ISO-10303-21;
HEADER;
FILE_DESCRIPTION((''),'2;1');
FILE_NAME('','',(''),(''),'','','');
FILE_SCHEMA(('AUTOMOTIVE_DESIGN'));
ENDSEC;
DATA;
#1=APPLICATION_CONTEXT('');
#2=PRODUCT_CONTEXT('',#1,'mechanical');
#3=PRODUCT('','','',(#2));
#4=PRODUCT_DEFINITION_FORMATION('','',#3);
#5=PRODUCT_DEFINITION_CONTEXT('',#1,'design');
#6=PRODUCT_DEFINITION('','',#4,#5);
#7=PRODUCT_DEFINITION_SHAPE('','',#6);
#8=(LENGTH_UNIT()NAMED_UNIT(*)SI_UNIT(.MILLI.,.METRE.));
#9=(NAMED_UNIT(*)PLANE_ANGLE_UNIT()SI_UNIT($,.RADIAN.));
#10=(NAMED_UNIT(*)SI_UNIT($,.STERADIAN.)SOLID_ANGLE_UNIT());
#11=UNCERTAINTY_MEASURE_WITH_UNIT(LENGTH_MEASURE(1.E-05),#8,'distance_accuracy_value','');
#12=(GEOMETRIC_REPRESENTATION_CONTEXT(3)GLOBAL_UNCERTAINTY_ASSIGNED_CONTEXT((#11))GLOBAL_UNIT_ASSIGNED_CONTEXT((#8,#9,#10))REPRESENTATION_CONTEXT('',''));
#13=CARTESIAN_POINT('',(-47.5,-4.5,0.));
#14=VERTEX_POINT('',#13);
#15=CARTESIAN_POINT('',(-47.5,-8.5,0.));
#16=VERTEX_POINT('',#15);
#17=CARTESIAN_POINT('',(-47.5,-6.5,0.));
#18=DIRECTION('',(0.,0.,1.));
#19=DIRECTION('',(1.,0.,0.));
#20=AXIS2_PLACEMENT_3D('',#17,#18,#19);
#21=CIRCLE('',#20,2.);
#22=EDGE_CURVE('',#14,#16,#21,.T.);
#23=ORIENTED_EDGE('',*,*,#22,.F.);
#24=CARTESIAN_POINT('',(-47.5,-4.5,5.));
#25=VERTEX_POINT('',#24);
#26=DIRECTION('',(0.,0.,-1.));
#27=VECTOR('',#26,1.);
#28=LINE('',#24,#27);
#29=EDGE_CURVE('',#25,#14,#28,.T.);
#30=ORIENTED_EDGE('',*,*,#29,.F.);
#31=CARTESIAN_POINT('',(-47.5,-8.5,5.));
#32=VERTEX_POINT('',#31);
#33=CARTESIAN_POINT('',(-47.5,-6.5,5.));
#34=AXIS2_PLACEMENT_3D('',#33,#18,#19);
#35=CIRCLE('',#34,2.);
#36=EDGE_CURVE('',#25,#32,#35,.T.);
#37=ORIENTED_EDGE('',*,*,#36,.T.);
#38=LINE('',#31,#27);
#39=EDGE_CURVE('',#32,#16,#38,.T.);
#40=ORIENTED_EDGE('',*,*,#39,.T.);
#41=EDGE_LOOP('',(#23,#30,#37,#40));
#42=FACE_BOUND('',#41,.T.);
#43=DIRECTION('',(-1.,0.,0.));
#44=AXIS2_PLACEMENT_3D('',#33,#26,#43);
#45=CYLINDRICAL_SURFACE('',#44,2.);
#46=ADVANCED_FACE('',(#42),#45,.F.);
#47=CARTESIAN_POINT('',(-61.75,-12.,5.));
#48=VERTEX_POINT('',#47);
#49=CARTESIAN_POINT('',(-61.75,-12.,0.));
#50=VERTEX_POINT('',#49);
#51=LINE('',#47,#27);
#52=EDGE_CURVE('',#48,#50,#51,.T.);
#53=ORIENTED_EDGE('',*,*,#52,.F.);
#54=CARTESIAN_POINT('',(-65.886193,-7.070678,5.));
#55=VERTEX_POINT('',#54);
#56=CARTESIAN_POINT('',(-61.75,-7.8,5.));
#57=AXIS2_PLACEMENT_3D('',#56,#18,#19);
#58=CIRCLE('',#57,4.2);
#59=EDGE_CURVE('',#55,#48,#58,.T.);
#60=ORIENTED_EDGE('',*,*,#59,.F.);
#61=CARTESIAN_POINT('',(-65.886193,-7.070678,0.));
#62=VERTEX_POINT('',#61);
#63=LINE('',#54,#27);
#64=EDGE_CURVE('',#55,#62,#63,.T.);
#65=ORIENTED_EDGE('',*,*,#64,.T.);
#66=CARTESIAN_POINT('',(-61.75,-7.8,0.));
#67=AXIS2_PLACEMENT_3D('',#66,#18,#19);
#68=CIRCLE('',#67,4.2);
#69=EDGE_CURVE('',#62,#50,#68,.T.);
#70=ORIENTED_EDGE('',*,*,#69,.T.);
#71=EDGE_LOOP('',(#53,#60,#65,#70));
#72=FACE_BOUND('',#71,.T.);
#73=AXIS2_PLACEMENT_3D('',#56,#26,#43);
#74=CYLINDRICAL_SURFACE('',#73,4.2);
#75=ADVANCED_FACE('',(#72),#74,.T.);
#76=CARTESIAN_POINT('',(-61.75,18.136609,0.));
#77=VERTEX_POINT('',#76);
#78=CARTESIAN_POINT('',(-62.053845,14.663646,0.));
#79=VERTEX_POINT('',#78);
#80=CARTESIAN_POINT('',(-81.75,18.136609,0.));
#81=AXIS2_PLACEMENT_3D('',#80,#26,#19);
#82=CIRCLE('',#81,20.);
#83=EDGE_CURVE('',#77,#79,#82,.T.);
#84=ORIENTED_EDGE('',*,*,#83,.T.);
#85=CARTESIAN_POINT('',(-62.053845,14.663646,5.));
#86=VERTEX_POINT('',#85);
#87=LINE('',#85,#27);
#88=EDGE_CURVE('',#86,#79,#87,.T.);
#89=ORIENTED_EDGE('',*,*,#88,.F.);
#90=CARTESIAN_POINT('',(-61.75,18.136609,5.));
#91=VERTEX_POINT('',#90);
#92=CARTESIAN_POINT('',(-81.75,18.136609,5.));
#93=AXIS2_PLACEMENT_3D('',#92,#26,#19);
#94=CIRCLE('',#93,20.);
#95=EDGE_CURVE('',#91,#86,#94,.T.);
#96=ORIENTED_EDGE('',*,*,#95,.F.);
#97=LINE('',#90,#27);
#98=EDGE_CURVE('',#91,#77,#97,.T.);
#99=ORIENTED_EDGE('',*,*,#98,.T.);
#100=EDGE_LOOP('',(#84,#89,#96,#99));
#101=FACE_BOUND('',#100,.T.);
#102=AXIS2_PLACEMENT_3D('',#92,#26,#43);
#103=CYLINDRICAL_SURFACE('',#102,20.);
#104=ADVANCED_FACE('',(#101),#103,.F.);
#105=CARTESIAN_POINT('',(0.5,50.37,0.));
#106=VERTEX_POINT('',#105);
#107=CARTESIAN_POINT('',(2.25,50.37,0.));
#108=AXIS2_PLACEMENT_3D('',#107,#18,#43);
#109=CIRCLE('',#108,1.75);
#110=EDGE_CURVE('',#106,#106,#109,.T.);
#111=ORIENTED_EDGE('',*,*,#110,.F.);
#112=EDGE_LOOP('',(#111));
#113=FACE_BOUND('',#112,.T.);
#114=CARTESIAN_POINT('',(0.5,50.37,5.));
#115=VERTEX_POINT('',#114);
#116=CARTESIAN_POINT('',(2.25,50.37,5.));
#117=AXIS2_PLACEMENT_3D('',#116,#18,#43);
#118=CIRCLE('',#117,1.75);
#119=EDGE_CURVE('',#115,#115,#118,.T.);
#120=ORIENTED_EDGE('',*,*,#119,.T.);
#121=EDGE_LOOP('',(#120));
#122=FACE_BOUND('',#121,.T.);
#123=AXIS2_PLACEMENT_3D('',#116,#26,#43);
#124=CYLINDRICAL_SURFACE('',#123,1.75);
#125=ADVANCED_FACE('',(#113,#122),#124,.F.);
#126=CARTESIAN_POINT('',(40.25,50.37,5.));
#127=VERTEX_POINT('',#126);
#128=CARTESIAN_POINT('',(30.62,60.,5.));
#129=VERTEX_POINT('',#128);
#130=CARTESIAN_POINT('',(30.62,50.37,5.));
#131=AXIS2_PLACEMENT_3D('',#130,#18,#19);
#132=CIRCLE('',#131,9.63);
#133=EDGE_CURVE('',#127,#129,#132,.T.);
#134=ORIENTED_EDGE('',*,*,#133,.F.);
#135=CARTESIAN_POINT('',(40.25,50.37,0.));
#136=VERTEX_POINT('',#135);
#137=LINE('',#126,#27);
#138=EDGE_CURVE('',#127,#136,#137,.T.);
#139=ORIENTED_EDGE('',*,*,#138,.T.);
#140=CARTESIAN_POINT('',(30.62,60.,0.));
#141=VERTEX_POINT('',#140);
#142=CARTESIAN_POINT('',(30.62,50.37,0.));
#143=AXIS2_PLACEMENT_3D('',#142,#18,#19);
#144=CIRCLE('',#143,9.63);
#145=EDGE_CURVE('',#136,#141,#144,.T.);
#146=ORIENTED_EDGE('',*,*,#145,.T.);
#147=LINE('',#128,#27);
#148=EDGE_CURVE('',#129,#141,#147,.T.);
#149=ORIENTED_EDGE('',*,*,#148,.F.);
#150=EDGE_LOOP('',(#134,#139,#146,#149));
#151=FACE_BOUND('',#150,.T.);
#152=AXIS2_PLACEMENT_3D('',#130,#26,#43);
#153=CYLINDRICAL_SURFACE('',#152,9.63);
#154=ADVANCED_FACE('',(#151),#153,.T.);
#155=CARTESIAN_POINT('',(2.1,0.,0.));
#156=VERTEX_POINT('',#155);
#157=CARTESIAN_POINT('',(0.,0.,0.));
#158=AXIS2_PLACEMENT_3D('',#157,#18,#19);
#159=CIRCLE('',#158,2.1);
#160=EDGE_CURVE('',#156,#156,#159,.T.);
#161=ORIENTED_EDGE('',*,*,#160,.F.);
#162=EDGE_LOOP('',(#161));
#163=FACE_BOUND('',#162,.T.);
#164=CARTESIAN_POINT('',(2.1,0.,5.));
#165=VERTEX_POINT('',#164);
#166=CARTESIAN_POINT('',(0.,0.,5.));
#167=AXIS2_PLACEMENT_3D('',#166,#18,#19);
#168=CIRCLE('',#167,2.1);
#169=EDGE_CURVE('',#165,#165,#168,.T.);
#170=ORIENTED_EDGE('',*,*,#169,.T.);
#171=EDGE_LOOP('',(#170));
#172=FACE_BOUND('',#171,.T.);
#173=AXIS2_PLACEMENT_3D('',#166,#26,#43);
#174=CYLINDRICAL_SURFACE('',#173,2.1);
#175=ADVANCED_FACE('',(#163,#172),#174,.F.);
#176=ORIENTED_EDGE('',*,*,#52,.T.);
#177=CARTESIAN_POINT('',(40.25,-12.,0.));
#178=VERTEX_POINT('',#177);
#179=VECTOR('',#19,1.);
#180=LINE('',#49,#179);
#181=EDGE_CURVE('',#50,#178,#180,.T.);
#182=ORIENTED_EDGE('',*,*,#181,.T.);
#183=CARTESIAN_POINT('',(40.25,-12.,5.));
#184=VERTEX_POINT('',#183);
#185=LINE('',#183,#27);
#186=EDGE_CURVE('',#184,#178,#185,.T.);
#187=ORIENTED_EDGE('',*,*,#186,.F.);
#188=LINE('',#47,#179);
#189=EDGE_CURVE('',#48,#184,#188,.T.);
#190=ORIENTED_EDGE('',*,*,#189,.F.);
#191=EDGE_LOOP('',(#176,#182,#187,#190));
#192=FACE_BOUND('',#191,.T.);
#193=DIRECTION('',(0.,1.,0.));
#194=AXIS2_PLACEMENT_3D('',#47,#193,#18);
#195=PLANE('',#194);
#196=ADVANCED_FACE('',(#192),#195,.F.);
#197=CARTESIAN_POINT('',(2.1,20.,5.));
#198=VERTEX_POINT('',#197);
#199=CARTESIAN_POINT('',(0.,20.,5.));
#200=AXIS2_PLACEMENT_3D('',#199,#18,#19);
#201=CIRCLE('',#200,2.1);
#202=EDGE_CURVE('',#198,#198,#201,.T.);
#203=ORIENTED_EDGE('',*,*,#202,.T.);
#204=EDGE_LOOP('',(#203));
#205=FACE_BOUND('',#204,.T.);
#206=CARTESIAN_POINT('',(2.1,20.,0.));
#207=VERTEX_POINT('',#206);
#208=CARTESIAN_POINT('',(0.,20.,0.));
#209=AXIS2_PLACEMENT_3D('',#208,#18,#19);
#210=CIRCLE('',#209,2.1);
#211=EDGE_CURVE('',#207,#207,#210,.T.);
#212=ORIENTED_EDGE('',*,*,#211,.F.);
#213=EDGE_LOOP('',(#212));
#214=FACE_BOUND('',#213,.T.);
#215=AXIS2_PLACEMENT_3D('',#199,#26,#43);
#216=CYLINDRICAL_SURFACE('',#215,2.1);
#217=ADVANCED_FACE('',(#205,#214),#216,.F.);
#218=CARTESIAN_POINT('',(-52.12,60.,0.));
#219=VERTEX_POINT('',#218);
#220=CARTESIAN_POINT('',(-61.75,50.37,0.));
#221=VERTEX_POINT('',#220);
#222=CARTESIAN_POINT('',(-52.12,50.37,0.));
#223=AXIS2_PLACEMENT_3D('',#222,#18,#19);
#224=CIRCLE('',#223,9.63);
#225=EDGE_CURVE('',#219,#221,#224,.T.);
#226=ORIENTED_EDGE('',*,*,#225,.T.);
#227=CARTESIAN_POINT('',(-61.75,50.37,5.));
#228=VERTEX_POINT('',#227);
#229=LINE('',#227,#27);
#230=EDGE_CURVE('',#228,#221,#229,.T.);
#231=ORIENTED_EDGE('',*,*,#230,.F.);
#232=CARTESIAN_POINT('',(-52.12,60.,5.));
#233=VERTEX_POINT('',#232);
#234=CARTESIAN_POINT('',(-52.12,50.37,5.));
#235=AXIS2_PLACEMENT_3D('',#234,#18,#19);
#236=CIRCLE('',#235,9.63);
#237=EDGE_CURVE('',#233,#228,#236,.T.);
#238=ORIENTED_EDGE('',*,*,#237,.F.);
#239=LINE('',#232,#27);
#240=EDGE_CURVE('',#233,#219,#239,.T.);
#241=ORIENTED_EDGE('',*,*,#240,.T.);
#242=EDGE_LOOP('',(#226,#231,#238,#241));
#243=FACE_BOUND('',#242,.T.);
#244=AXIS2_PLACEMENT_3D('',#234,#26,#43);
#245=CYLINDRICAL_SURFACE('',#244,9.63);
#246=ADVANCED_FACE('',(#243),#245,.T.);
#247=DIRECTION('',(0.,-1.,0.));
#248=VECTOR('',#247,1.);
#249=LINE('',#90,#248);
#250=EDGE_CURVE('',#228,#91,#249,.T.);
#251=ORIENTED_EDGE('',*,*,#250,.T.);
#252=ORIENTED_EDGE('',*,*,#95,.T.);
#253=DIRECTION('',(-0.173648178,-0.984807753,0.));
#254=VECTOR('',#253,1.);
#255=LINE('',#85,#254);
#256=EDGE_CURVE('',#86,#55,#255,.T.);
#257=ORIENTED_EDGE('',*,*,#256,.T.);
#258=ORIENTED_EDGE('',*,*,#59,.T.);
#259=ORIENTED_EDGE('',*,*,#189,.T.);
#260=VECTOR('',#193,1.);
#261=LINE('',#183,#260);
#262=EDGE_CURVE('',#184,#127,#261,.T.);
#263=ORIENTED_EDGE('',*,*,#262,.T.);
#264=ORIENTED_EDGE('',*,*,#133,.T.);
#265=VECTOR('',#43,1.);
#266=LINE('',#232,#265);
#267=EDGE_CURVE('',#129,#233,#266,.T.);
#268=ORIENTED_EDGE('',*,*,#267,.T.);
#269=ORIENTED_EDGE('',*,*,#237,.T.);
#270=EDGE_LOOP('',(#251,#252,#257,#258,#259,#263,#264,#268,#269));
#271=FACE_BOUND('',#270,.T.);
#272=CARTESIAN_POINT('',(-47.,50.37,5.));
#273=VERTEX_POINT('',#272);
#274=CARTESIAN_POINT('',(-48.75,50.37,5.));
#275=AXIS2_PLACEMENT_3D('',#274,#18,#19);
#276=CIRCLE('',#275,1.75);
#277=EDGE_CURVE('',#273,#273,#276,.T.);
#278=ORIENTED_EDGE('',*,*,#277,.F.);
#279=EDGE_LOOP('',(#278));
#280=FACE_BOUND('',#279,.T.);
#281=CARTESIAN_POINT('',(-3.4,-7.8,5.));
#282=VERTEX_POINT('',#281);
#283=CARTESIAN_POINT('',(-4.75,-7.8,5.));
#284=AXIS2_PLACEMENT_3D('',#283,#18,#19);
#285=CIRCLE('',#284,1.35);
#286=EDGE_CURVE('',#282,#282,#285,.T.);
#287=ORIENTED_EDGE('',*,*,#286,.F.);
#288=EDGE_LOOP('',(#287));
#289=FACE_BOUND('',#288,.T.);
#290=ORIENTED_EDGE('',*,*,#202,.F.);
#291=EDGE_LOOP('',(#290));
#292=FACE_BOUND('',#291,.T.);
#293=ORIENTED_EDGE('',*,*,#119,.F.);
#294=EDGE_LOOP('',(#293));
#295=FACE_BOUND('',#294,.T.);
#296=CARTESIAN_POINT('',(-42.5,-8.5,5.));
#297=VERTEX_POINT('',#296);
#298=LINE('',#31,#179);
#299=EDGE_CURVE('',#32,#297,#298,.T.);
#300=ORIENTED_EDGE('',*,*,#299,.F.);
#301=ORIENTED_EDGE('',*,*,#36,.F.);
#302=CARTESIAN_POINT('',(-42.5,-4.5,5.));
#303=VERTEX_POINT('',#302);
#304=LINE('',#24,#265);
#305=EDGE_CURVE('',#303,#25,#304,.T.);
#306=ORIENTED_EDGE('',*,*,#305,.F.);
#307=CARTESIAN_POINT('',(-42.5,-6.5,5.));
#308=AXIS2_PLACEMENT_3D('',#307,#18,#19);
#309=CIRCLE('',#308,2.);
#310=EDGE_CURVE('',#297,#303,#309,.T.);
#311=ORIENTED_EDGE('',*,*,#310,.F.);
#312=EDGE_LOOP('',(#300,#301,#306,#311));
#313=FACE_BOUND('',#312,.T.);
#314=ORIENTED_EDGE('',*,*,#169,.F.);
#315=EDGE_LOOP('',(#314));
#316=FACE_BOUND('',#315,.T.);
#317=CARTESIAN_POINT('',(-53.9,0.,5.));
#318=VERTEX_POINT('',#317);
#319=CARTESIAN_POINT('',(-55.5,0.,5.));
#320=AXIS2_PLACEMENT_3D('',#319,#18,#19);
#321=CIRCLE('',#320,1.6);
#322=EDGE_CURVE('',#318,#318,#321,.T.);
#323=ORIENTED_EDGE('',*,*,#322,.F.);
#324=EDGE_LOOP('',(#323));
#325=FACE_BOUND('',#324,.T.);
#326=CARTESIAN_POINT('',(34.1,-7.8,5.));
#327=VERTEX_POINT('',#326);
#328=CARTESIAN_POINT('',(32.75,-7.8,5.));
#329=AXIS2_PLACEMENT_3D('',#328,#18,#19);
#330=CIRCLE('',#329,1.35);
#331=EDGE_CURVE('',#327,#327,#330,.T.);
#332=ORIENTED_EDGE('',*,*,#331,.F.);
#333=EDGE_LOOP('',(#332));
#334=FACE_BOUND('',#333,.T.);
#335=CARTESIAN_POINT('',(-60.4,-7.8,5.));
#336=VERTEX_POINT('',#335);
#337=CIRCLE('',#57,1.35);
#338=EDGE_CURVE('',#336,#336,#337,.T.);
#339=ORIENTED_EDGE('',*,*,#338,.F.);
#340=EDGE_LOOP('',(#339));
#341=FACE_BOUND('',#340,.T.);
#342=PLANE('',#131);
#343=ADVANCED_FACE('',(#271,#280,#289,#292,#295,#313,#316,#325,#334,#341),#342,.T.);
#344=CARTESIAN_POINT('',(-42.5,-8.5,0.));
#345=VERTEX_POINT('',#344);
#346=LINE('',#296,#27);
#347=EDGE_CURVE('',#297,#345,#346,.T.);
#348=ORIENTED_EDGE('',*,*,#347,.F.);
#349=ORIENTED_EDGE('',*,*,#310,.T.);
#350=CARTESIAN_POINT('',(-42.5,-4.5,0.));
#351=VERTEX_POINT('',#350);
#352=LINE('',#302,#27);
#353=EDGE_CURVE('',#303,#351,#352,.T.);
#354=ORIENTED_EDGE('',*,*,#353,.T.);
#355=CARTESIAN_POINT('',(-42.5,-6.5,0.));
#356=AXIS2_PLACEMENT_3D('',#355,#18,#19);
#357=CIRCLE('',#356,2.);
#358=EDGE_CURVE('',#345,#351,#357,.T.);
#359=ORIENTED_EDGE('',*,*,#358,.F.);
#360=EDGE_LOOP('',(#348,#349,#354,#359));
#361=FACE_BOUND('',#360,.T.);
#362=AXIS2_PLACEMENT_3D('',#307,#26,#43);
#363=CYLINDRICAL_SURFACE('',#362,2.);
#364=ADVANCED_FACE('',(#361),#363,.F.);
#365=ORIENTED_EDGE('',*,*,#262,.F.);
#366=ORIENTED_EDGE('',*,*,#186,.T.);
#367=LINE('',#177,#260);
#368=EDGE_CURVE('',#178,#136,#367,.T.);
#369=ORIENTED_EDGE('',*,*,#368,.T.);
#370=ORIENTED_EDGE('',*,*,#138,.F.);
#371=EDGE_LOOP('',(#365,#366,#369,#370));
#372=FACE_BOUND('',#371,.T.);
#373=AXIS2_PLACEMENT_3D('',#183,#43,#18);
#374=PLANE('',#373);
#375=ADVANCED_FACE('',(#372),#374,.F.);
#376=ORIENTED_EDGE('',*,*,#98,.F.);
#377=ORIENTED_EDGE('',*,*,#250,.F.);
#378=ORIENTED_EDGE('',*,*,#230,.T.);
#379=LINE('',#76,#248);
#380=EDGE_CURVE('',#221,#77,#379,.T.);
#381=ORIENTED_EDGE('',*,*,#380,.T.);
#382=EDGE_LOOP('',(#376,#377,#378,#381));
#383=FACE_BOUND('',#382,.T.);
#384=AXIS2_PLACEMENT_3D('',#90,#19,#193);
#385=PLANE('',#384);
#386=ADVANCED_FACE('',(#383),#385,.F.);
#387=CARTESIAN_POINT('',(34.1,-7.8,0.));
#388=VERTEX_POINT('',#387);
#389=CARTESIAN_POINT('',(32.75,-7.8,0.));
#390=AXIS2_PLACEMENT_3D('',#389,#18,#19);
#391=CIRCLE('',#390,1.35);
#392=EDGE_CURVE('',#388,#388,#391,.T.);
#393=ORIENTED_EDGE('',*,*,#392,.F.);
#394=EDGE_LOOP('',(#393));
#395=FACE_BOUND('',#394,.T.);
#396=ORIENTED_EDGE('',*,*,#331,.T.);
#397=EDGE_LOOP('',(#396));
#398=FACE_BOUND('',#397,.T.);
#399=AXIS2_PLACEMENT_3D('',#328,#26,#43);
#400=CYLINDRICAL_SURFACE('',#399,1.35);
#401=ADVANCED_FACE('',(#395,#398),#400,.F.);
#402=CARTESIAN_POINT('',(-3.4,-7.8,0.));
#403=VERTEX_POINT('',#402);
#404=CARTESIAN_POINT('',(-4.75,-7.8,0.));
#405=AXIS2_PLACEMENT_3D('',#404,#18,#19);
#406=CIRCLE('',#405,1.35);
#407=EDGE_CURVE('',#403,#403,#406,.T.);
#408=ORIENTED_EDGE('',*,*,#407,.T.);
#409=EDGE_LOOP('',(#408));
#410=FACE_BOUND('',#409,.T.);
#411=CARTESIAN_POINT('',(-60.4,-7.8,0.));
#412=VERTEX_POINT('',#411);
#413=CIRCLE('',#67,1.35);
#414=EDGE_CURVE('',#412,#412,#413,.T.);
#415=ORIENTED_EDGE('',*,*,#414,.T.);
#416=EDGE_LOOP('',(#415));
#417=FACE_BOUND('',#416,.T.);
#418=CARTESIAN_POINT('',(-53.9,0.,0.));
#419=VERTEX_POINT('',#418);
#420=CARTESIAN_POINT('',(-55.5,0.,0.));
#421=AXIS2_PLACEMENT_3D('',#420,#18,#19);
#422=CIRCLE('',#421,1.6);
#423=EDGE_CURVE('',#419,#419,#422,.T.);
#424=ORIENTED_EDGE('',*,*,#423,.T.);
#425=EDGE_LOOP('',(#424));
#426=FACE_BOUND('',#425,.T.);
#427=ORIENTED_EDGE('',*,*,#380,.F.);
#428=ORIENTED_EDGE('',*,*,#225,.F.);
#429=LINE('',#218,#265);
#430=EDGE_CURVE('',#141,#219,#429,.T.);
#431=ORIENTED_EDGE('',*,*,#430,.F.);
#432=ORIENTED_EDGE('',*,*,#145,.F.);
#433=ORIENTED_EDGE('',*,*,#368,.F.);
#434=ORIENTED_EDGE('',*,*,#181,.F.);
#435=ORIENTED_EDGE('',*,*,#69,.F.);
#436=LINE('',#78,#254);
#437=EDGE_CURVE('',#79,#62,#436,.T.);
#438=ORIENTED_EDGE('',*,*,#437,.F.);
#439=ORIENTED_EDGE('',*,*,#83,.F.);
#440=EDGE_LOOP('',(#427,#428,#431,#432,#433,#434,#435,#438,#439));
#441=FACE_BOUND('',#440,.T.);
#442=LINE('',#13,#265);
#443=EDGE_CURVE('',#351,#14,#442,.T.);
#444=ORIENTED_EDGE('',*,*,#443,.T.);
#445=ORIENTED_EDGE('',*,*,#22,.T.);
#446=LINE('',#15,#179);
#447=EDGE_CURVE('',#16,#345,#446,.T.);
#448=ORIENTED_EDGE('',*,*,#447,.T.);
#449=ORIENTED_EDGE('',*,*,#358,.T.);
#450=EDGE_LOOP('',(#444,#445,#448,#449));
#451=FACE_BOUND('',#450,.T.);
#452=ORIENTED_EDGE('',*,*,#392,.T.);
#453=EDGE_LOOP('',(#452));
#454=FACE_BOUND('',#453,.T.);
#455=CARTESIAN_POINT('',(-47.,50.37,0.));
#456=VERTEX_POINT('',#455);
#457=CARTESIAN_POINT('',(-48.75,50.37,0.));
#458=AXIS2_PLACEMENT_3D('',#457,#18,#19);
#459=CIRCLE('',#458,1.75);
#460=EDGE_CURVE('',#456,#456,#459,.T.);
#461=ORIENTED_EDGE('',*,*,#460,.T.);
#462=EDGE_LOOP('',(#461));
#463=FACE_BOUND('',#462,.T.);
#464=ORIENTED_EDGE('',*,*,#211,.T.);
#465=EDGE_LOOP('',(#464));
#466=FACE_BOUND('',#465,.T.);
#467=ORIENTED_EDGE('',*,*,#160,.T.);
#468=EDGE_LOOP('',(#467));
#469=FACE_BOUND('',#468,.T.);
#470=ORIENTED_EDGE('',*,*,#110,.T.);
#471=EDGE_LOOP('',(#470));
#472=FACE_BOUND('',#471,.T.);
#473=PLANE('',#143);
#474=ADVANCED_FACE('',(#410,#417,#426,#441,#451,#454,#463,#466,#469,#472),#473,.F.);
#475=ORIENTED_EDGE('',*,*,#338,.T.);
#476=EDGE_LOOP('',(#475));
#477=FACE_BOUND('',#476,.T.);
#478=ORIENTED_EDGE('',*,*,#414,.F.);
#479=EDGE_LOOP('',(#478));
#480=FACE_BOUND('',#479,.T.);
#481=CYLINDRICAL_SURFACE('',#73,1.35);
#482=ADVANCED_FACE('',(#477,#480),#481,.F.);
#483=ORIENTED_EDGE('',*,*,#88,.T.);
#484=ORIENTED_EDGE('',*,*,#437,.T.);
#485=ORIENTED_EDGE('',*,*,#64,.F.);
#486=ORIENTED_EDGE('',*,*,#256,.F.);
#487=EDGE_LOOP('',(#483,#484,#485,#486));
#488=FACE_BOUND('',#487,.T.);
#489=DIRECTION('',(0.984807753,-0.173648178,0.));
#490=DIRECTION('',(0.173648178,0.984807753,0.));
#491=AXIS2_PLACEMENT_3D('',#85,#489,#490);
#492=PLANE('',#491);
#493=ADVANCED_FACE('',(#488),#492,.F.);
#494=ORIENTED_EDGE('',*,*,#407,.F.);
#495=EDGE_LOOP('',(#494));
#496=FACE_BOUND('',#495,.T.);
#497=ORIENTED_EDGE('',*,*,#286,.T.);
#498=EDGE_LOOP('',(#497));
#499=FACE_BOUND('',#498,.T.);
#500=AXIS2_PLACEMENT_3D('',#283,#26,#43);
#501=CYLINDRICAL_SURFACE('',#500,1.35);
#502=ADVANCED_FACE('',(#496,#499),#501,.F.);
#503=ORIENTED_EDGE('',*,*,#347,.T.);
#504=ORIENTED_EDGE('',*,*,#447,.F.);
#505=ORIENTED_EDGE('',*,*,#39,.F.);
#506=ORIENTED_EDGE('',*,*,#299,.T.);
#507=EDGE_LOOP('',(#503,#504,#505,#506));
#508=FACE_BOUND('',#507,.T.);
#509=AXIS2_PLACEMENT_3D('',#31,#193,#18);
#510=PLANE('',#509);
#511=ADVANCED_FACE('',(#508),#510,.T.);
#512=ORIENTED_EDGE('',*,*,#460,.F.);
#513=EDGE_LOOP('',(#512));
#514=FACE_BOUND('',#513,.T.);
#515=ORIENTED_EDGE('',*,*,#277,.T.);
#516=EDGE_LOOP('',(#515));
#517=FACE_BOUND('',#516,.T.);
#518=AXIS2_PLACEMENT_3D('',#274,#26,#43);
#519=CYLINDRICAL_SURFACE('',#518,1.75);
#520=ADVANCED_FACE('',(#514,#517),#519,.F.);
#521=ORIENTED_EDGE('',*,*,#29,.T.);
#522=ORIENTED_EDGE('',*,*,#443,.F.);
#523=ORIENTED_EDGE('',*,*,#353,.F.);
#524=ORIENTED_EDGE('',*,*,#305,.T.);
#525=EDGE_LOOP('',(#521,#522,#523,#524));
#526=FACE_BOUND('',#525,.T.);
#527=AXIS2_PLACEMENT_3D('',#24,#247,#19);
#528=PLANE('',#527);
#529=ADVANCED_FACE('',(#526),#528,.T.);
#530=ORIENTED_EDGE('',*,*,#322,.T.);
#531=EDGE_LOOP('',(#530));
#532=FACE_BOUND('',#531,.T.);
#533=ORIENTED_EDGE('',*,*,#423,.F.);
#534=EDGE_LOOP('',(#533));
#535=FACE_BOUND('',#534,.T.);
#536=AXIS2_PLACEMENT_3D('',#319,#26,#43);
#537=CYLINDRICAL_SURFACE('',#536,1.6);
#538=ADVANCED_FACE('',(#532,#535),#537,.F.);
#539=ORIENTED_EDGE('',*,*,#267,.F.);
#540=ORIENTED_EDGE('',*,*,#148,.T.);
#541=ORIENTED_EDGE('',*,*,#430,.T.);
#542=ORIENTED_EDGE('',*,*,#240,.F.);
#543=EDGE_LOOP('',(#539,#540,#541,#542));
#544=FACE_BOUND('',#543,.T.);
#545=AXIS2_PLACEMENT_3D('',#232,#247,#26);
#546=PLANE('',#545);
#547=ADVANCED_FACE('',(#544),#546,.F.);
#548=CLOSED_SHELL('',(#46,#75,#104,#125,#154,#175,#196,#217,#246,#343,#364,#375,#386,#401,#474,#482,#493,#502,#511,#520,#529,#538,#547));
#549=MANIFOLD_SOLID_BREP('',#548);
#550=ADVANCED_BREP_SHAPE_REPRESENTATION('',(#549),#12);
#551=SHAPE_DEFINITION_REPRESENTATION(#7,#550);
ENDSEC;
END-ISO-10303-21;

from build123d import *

# Parameters (mm, degrees)
SKETCH1_R           = 2.1
SKETCH1_R_2         = 1.75
SKETCH1_R_3         = 1.35
SKETCH1_R_4         = 1.6
BOSS_EXTRUDE1_DEPTH = 5


with BuildPart() as part:
    # Sketch1 → Boss-Extrude1 (new body)
    with BuildSketch(Plane.XY):
        with BuildLine():
            Line((-62.05384494, 14.663645746), (-65.886192563, -7.070677654))
            ThreePointArc((-65.886192563, -7.070677654), (-64.967386661, -10.499707961), (-61.75, -12))
            Line((-61.75, -12), (40.25, -12))
            Line((40.25, -12), (40.25, 50.37))
            ThreePointArc((40.25, 50.37), (37.429438303, 57.179438303), (30.62, 60))
            Line((30.62, 60), (-52.12, 60))
            ThreePointArc((-52.12, 60), (-58.929438303, 57.179438303), (-61.75, 50.37))
            Line((-61.75, 50.37), (-61.75, 18.1366093))
            ThreePointArc((-61.75, 18.1366093), (-61.826106038, 16.393494445), (-62.05384494, 14.663645746))
        make_face()
        Circle(SKETCH1_R, mode=Mode.SUBTRACT)
        with Locations((-48.75, 50.37)):
            Circle(SKETCH1_R_2, mode=Mode.SUBTRACT)
        with Locations((32.75, -7.8)):
            Circle(SKETCH1_R_3, mode=Mode.SUBTRACT)
        with Locations(Location((2.25, 50.37, 0), (0, 0, 180))):
            Circle(SKETCH1_R_2, mode=Mode.SUBTRACT)
        with Locations((-61.75, -7.8)):
            Circle(SKETCH1_R_3, mode=Mode.SUBTRACT)
        with Locations((-4.75, -7.8)):
            Circle(SKETCH1_R_3, mode=Mode.SUBTRACT)
        with Locations((0, 20)):
            Circle(SKETCH1_R, mode=Mode.SUBTRACT)
        with Locations((-55.5, 0)):
            Circle(SKETCH1_R_4, mode=Mode.SUBTRACT)
        with BuildLine():
            Line((-47.5, -4.5), (-42.5, -4.5))
            ThreePointArc((-42.5, -4.5), (-40.5, -6.5), (-42.5, -8.5))
            Line((-42.5, -8.5), (-47.5, -8.5))
            ThreePointArc((-47.5, -8.5), (-49.5, -6.5), (-47.5, -4.5))
        make_face(mode=Mode.SUBTRACT)
    extrude(amount=BOSS_EXTRUDE1_DEPTH)


solid = part.part
